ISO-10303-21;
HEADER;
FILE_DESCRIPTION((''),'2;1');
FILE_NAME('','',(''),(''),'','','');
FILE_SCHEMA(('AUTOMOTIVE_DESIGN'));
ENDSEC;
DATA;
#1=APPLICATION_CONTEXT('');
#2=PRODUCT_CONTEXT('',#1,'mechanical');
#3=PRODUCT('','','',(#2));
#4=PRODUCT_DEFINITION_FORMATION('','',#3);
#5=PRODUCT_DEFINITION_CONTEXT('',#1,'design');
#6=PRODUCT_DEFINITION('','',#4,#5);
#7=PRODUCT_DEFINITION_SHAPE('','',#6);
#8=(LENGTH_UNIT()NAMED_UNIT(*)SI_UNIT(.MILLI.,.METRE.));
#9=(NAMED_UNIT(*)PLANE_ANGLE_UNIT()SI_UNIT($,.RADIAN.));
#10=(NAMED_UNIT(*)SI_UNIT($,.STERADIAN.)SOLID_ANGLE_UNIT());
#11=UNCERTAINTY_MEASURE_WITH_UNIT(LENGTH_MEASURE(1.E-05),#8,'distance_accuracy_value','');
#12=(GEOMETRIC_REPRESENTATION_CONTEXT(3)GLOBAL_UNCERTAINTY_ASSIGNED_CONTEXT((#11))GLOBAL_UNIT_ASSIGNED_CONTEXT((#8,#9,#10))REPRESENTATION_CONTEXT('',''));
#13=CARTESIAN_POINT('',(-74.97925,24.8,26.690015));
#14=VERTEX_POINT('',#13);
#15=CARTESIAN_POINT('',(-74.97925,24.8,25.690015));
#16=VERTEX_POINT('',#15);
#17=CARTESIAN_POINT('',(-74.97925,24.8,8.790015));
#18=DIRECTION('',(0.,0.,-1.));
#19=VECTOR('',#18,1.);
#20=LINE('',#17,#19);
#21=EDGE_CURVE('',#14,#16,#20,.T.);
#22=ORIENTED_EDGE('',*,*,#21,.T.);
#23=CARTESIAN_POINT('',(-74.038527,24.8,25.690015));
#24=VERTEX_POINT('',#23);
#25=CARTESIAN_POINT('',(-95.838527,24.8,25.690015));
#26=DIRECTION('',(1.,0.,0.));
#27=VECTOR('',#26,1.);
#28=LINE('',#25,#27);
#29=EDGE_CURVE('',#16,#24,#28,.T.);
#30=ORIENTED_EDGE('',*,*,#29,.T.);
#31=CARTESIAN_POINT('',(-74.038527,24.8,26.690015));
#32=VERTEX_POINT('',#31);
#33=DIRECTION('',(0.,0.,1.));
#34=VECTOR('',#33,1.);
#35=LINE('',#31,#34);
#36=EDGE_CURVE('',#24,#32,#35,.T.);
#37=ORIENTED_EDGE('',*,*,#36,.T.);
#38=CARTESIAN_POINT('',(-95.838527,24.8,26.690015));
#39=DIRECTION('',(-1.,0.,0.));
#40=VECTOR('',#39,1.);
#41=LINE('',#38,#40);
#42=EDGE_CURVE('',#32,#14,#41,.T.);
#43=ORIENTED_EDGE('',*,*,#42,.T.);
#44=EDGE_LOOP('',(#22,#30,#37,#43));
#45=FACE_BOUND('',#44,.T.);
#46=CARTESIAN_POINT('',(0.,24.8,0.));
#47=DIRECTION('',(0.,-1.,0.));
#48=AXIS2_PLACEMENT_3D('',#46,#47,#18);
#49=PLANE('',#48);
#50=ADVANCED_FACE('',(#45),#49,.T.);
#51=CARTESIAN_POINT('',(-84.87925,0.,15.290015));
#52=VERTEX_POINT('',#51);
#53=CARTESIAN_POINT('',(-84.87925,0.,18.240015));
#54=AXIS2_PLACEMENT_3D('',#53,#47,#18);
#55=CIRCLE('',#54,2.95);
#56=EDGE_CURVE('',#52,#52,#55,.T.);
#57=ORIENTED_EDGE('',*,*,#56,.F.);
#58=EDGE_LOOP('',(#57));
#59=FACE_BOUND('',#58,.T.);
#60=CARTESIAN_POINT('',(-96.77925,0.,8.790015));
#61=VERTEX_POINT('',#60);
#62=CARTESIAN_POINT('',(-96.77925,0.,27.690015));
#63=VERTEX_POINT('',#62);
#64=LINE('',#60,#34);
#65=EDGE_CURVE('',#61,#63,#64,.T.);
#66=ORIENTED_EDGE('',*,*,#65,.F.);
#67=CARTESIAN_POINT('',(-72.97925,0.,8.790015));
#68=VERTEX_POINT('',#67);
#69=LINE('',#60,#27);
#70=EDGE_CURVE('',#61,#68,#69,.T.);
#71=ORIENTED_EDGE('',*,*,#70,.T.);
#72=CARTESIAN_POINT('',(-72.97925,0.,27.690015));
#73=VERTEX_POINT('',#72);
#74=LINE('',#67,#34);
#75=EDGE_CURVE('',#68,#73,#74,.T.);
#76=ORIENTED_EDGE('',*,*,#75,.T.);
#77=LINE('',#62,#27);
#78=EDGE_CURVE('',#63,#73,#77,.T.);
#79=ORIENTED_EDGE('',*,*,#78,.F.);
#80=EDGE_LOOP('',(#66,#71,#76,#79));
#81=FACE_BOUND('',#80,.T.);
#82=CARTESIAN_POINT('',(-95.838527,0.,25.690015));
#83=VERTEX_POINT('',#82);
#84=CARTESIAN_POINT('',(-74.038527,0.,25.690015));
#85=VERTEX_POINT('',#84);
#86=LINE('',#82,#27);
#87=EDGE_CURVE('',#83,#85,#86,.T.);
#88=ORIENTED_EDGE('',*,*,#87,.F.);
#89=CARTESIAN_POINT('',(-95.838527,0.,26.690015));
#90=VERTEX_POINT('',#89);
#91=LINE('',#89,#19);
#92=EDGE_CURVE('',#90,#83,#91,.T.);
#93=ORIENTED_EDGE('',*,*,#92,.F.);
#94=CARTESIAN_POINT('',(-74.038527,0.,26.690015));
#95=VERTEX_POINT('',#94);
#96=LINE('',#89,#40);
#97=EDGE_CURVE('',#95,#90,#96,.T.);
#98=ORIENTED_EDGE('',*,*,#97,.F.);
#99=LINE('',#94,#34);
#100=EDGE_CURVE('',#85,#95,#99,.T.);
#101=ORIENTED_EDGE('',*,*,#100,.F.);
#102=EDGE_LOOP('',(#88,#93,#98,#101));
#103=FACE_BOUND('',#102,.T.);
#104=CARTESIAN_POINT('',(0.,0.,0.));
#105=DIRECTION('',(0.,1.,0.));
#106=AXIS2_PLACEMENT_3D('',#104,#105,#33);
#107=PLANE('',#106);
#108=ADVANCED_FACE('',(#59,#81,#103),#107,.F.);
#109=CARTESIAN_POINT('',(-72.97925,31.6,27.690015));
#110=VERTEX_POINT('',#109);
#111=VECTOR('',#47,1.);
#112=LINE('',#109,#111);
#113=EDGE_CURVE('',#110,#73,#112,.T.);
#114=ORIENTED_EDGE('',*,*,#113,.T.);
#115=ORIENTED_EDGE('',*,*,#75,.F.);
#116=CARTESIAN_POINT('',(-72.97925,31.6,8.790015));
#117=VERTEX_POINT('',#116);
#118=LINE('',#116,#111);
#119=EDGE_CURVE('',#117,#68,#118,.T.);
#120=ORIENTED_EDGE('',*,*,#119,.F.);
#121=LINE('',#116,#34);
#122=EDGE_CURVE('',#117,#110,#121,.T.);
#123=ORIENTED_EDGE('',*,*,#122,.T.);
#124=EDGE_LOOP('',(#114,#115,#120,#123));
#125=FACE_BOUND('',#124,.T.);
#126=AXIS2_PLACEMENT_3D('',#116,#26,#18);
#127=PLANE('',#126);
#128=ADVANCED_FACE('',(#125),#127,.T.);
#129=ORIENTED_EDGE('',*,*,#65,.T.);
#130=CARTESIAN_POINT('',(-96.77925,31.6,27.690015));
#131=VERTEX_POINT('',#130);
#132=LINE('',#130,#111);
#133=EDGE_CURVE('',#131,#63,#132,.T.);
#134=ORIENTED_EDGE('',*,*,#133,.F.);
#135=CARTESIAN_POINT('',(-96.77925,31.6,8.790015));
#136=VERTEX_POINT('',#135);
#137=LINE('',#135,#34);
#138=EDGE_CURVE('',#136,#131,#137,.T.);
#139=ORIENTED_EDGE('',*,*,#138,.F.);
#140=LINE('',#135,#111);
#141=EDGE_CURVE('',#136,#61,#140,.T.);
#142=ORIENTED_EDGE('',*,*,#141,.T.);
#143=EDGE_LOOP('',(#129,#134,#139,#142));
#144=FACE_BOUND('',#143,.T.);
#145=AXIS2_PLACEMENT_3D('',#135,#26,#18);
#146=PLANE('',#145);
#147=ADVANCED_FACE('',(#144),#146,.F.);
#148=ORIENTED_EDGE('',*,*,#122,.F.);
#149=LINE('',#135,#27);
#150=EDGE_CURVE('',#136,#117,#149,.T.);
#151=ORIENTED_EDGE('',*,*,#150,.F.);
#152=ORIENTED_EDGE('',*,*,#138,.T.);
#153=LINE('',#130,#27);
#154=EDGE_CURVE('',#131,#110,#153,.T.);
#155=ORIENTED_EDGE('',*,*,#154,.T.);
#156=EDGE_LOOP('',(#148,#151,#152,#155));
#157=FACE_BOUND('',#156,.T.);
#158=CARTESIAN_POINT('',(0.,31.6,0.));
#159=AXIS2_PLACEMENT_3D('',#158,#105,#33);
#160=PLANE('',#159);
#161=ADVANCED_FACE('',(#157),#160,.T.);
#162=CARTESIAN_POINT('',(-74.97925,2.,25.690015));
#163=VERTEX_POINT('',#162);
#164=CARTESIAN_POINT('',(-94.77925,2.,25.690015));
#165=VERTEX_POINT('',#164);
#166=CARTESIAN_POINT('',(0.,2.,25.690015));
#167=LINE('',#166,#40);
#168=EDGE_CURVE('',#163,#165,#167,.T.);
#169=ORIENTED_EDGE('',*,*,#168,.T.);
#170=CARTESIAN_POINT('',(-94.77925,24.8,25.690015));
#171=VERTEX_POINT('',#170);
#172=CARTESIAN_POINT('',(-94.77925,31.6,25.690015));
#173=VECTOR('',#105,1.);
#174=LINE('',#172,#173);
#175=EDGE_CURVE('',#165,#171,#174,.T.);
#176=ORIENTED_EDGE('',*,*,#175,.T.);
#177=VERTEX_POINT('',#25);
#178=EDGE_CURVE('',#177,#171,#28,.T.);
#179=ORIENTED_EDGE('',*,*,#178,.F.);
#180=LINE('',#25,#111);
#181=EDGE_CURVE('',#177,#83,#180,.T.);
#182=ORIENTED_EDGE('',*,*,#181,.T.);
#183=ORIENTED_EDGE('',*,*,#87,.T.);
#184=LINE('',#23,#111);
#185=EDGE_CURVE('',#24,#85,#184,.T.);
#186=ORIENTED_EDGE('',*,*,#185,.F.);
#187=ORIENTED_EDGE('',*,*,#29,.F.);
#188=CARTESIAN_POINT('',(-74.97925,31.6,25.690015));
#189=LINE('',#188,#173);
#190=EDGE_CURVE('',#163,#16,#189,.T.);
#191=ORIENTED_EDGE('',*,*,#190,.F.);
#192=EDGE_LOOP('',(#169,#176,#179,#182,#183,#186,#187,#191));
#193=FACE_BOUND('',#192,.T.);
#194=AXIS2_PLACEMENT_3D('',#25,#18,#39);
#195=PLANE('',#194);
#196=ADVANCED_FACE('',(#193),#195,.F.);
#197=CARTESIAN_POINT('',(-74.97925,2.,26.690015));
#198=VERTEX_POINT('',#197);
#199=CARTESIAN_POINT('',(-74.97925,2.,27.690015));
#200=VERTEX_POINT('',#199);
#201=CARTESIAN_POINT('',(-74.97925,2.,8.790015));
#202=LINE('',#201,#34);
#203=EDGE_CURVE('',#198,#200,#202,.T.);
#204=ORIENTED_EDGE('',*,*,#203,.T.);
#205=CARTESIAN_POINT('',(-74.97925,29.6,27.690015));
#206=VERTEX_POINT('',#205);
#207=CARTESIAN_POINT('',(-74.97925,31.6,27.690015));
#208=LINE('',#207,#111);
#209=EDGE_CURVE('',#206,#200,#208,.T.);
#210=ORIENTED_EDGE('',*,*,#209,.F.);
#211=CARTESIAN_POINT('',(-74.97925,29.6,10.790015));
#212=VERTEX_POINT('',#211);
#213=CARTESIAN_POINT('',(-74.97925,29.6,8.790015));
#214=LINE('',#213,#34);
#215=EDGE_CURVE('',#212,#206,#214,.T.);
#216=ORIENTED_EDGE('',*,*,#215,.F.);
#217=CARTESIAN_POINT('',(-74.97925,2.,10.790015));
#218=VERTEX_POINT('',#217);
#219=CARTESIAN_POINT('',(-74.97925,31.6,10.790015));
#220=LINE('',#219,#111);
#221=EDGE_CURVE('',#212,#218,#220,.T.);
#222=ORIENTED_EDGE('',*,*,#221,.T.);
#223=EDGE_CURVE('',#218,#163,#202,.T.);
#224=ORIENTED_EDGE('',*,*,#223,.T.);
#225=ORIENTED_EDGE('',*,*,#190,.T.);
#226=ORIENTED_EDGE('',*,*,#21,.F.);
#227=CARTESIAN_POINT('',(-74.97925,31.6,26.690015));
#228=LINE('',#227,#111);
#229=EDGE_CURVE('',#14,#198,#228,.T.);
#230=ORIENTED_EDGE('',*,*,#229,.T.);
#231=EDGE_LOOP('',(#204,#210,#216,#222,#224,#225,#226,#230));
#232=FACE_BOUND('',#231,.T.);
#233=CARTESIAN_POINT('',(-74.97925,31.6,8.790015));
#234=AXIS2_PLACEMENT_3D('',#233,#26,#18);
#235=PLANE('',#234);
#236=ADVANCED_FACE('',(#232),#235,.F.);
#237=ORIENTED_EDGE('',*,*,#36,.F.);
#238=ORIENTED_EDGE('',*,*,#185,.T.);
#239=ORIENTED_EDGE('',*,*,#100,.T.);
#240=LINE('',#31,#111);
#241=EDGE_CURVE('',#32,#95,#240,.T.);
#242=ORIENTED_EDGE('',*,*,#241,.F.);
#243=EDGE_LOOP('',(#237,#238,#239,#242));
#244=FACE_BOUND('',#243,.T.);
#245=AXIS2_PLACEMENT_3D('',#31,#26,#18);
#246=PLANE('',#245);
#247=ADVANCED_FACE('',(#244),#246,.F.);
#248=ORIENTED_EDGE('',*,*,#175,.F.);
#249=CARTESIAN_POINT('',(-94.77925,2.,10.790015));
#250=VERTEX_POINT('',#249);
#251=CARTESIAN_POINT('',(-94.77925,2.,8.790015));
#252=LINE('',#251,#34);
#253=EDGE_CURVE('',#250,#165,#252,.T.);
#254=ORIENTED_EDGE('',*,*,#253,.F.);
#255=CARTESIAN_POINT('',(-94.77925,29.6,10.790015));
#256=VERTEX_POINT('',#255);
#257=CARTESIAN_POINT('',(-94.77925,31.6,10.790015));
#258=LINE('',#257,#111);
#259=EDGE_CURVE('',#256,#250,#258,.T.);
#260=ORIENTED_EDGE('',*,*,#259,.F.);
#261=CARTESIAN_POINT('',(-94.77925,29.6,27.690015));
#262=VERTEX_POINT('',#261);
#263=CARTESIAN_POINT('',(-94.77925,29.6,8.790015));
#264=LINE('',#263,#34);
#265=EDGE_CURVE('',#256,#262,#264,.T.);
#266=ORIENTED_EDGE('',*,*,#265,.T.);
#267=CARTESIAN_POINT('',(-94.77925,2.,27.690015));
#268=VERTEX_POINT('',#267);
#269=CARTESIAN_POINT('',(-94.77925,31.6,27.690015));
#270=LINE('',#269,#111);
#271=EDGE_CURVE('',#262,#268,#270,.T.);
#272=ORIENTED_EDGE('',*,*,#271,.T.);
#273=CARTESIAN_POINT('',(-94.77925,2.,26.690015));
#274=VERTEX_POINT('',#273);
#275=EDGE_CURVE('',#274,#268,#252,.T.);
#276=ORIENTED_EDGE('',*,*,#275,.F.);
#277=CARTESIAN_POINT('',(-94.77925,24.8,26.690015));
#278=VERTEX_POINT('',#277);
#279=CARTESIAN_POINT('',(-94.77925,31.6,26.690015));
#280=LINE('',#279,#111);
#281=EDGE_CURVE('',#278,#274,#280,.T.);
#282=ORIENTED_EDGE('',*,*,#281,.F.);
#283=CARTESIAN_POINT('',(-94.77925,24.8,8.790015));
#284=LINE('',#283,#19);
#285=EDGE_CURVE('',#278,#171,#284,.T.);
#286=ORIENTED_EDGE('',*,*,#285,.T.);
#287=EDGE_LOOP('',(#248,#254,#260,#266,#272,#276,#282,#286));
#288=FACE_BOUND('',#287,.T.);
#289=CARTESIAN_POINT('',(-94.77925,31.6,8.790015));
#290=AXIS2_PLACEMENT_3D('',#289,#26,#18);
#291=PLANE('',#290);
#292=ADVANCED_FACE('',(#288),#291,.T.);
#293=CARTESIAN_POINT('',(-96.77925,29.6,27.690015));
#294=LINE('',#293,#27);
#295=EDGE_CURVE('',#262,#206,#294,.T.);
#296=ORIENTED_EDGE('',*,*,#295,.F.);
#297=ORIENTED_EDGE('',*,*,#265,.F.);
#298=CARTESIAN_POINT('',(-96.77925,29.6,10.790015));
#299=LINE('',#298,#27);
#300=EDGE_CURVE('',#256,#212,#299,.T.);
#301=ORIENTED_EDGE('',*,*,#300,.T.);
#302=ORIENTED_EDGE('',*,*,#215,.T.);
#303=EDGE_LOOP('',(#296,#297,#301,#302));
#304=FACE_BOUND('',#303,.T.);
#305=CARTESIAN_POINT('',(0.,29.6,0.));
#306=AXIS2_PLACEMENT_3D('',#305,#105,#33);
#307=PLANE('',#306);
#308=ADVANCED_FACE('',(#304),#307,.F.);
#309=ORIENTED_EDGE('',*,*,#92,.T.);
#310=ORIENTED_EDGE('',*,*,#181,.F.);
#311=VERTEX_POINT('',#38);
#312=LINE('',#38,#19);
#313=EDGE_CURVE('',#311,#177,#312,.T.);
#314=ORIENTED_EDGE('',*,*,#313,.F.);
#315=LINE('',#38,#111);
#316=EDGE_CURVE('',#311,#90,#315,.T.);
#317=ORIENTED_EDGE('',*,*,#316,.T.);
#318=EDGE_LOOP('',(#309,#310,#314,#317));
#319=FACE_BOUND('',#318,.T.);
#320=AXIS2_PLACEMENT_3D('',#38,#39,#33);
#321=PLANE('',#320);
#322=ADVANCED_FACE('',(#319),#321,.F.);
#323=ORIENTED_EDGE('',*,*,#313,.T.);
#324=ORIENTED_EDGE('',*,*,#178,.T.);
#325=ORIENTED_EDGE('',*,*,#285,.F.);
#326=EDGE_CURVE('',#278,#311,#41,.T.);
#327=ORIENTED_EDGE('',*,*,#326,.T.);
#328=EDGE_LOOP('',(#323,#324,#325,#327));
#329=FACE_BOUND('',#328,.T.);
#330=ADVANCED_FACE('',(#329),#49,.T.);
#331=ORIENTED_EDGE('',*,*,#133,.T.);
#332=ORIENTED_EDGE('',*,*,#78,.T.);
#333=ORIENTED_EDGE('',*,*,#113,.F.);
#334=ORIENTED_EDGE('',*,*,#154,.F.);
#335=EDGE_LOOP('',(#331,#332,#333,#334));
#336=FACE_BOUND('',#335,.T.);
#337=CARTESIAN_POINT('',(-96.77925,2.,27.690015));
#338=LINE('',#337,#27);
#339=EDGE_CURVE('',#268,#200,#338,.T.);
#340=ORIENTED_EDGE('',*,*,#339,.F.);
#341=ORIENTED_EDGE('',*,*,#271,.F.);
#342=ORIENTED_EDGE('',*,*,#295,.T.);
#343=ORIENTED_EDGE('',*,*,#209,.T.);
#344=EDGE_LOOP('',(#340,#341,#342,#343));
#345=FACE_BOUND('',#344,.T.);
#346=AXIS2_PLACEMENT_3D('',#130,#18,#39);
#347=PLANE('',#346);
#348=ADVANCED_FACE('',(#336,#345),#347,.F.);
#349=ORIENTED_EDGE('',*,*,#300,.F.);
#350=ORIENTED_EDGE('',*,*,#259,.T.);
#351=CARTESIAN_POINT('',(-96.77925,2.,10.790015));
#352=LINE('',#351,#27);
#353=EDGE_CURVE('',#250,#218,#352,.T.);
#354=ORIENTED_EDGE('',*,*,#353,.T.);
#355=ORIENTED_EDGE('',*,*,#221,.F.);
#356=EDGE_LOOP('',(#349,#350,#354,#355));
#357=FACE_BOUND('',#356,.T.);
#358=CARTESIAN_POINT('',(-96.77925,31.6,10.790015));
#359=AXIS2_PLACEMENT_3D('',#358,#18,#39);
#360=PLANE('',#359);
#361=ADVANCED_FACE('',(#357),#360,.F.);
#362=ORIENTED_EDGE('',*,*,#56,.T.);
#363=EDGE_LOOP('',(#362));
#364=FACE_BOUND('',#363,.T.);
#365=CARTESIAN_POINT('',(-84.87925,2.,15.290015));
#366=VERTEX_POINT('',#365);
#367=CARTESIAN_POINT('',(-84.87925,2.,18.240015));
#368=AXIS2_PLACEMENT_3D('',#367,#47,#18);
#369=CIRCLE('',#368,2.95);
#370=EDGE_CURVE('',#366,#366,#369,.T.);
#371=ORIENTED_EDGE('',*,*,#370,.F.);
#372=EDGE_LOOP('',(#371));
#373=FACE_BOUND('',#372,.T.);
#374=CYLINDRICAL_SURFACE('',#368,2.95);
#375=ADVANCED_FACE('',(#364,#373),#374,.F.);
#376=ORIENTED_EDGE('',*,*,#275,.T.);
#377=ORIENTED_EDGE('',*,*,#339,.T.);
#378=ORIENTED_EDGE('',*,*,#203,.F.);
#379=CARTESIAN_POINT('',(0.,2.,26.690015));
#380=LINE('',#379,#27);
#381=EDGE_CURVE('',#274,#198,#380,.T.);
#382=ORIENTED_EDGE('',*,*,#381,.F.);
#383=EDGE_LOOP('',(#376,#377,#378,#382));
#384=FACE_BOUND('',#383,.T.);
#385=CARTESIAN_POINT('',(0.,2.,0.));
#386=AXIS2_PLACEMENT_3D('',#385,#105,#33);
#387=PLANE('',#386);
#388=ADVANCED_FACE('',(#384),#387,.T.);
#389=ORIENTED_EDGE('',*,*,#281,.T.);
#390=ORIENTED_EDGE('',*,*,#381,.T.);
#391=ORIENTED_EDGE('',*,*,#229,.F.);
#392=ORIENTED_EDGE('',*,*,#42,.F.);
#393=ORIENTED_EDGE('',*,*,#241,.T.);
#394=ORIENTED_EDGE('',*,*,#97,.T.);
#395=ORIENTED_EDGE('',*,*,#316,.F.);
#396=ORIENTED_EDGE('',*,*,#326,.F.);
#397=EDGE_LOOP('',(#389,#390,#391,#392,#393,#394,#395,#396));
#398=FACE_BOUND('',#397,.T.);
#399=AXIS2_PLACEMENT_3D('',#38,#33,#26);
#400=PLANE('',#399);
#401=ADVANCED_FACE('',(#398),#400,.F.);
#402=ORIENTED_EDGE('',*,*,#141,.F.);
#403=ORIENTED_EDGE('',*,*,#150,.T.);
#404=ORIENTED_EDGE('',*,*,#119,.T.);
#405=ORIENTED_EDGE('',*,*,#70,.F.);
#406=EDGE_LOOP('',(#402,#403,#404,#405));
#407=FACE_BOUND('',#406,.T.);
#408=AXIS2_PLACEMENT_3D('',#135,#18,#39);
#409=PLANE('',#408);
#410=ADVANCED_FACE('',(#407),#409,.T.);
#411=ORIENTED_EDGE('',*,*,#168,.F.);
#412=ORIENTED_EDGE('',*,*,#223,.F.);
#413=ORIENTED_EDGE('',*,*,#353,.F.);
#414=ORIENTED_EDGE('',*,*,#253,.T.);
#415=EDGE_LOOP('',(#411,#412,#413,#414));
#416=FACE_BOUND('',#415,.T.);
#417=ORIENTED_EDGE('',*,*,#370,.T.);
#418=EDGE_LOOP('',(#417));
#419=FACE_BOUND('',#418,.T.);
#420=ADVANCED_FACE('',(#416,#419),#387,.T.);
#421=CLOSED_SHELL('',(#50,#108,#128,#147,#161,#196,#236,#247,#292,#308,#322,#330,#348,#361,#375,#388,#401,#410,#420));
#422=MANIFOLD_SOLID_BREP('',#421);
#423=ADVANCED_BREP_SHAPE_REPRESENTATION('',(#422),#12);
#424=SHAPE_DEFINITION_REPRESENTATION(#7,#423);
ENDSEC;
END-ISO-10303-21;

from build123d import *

# Parameters (mm, degrees)
SKETCH2_W           = 23.8
SKETCH2_H           = 18.9
BOSS_EXTRUDE1_DEPTH = 31.6
SHELL2_T            = -2
SKETCH10_W          = 21.8
SKETCH10_H          = 1
CUT_EXTRUDE5_DEPTH  = 24.8
SKETCH12_R          = 2.95
CUT_EXTRUDE6_DEPTH  = 2


with BuildPart() as part:
    # Sketch2 → Boss-Extrude1 (new body)
    with BuildSketch(Plane(origin=(-2.162079654, 0, 0), x_dir=(1, 0, 0), z_dir=(0, 1, 0))):
        with Locations((-82.717170842, -18.240014695)):
            Rectangle(SKETCH2_W, SKETCH2_H)
    extrude(amount=BOSS_EXTRUDE1_DEPTH)

    # Shell2
    shell2_openings = [part.faces().sort_by_distance(p)[0] for p in [
        (-84.879250496, 15.8, 27.690014695),
    ]]
    offset(amount=SHELL2_T, openings=shell2_openings, kind=Kind.INTERSECTION)

    # Sketch10 → Cut-Extrude5 (cut)
    with BuildSketch(Plane.XZ):
        with Locations((-84.938526567, 26.190014695)):
            Rectangle(SKETCH10_W, SKETCH10_H)
    extrude(amount=-CUT_EXTRUDE5_DEPTH, mode=Mode.SUBTRACT)

    # Sketch12 → Cut-Extrude6 (cut)
    with BuildSketch(Plane(origin=(0, 0, 0), x_dir=(-1, 0, 0), z_dir=(0, -1, 0))):
        with Locations(Location((84.879250496, -18.240014695, 0), (0, 0, 90))):
            Circle(SKETCH12_R)
    extrude(amount=-CUT_EXTRUDE6_DEPTH, mode=Mode.SUBTRACT)


solid = part.part
